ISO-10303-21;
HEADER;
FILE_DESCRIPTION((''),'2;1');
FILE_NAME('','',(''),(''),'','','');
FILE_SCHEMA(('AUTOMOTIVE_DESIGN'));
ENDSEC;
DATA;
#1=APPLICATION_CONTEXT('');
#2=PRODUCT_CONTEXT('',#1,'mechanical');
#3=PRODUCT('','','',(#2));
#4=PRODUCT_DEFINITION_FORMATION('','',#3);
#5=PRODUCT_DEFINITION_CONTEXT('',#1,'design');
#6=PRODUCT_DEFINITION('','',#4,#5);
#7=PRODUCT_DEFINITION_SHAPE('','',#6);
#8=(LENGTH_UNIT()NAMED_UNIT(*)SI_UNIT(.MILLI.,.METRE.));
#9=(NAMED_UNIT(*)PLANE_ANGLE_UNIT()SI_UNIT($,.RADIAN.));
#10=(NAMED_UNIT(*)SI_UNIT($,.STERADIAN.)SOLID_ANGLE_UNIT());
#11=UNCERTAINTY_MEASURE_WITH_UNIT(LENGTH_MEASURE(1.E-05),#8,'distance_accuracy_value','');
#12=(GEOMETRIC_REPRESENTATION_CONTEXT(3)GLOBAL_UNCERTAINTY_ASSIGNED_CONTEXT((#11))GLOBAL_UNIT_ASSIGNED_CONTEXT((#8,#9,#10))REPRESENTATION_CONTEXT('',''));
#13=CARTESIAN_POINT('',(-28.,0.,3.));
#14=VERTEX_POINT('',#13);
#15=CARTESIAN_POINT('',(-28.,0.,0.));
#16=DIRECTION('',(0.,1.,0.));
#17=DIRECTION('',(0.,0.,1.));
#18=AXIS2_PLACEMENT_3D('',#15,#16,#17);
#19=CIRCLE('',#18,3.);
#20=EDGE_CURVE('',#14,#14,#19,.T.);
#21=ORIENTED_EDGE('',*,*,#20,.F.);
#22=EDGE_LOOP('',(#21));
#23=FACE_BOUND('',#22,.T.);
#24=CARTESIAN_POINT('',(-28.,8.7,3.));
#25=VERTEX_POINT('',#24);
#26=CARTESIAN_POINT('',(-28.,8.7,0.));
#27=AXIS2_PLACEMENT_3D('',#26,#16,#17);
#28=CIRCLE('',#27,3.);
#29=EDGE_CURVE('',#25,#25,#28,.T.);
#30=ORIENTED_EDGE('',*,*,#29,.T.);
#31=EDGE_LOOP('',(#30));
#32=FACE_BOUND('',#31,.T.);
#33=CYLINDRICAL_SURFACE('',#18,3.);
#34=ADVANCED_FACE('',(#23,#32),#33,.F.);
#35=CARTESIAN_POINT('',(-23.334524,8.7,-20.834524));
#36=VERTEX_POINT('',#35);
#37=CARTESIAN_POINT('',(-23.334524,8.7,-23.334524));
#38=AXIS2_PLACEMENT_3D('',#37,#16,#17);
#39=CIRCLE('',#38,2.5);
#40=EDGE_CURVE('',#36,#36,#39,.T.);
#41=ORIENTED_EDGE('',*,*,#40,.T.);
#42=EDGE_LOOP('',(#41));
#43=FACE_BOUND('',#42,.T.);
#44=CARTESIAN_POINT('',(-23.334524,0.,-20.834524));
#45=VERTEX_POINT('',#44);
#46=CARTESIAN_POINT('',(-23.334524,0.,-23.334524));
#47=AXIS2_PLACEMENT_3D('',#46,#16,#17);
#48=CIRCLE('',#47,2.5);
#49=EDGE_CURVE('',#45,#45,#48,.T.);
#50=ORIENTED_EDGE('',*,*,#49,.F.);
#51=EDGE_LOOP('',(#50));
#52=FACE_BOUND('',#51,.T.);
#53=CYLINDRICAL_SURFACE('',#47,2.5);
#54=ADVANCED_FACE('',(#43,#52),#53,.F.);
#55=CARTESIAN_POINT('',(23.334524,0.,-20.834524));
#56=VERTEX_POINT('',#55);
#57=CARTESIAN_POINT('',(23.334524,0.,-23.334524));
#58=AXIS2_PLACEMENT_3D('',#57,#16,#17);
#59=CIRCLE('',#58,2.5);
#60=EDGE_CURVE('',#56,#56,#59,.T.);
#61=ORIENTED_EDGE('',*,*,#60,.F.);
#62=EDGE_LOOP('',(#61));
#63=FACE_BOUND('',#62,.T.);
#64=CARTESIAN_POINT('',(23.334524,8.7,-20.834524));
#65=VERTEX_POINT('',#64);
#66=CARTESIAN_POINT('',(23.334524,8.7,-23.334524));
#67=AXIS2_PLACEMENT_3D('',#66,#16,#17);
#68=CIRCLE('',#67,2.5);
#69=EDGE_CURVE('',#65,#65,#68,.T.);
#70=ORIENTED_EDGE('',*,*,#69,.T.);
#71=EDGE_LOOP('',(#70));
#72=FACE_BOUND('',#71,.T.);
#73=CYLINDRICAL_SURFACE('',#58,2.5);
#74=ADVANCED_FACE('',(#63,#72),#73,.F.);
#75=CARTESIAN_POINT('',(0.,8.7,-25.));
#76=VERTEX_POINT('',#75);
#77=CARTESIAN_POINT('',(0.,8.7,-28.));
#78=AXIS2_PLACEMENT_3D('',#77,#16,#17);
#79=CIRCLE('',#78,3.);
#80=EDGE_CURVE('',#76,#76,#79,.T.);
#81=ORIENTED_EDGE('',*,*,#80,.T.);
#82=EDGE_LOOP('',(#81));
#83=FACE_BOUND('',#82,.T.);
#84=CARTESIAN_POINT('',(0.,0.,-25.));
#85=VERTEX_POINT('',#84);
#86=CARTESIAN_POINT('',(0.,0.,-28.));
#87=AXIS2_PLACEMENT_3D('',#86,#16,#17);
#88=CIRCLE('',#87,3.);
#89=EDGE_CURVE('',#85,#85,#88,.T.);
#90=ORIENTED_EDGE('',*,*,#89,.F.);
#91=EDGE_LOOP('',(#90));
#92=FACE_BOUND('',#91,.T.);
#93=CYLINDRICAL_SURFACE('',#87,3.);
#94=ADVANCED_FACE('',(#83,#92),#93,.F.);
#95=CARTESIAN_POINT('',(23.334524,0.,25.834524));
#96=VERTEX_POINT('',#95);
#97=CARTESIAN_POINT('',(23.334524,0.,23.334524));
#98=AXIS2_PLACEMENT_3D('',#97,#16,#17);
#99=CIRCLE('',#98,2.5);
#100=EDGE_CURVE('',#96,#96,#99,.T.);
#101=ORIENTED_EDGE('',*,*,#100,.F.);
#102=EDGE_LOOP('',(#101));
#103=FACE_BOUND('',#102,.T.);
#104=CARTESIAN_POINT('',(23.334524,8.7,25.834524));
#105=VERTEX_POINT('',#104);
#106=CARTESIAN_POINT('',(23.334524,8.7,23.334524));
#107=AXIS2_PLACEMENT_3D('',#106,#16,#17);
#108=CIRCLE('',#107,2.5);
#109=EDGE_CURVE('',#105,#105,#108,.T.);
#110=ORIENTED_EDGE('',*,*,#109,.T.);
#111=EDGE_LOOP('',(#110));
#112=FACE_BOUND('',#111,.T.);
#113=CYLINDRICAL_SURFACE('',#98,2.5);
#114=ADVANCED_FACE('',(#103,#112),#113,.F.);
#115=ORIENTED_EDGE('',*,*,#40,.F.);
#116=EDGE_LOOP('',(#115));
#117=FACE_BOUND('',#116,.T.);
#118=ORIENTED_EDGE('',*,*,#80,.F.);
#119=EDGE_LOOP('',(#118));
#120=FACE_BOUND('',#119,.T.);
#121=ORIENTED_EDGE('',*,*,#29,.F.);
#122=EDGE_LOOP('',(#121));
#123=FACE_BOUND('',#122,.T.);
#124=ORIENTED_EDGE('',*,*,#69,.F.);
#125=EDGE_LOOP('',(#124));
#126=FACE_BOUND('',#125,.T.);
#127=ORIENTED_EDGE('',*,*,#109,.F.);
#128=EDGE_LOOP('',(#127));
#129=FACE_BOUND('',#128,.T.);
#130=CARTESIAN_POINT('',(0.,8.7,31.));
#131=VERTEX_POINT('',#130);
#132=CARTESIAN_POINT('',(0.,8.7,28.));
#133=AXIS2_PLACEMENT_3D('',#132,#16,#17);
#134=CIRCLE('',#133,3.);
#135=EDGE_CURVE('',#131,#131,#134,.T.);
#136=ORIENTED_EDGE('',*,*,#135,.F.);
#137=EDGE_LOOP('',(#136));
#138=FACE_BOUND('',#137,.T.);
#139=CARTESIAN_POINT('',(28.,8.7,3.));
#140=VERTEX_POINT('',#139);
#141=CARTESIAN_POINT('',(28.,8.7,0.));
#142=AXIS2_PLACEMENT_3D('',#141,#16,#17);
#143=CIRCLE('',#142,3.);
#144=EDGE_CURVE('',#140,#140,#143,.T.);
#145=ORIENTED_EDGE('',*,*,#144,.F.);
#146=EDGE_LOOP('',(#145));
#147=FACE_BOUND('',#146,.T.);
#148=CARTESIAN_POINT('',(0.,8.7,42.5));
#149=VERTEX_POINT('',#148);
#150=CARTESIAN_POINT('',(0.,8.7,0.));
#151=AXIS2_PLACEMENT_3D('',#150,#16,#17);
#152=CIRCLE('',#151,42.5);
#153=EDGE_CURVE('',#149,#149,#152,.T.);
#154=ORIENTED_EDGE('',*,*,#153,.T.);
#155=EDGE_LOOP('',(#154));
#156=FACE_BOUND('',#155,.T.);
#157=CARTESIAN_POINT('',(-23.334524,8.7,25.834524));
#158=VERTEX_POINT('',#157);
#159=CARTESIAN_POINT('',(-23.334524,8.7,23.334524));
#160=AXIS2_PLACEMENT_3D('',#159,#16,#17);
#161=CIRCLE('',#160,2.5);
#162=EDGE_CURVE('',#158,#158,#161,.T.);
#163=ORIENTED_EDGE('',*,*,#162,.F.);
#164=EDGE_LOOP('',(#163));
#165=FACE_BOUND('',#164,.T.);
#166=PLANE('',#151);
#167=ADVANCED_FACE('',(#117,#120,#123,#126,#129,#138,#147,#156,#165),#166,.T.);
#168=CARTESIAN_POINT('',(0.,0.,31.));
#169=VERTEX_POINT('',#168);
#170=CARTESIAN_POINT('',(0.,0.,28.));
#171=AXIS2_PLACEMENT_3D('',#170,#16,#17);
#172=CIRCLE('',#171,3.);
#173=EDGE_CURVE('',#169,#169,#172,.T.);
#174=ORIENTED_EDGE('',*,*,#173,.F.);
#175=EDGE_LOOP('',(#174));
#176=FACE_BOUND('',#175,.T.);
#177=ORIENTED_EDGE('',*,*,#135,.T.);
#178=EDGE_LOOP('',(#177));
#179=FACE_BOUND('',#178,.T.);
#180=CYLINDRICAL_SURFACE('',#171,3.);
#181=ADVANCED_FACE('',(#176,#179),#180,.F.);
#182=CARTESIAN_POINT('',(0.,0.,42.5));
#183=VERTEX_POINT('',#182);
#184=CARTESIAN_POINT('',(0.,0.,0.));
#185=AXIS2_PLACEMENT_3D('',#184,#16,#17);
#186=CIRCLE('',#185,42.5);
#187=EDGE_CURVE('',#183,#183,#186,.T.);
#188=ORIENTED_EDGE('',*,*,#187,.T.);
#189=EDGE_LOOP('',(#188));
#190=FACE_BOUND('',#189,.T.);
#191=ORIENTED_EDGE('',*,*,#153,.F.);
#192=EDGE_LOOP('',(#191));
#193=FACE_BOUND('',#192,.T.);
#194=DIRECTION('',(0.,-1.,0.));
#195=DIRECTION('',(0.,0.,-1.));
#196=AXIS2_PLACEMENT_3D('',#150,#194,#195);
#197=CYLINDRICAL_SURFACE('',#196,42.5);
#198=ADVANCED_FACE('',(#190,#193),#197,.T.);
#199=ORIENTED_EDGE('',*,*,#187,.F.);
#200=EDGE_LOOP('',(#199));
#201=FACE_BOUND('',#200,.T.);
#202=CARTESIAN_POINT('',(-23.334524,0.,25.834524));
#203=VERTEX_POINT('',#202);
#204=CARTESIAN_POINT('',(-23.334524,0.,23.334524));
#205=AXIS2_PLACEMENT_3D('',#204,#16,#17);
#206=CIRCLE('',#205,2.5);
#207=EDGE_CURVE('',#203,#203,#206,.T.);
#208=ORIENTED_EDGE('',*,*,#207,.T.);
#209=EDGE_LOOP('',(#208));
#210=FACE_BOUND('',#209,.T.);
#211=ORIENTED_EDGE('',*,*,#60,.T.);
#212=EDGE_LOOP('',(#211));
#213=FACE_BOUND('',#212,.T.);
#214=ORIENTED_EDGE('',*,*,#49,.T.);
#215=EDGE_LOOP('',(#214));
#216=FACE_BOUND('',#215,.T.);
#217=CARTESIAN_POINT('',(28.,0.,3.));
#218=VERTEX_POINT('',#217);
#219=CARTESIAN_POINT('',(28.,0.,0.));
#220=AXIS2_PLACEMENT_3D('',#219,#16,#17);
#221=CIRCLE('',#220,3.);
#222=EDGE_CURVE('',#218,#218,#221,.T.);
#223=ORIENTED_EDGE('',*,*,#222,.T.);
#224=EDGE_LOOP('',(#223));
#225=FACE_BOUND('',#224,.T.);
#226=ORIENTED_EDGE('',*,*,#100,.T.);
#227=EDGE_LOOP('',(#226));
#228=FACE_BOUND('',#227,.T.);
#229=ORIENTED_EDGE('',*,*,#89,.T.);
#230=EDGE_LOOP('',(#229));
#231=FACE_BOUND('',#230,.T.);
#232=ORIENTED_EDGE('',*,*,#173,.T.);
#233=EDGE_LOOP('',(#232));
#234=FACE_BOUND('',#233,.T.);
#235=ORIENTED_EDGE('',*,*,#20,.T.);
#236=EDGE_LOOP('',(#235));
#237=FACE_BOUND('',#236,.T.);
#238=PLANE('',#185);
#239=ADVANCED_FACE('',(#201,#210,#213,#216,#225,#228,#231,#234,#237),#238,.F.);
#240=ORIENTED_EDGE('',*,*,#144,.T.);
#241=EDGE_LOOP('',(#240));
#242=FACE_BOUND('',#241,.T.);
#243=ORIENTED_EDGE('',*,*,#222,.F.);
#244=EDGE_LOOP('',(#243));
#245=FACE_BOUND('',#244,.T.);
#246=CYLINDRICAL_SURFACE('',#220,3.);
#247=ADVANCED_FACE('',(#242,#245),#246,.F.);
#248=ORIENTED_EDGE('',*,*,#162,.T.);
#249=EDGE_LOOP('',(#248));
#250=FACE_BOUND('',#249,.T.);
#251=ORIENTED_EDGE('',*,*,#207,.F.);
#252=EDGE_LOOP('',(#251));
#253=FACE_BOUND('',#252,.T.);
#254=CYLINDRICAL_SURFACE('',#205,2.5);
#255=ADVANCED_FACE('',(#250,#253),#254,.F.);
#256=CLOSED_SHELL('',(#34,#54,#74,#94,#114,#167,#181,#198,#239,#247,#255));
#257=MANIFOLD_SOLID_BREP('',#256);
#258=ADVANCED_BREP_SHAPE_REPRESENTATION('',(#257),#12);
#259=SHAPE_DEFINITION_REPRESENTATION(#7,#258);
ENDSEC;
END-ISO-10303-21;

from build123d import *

# Parameters (mm, degrees)
SKETCH_1_R          = 42.5
EXTRUDE_1_DEPTH     = 8.7
SKETCH_2_R          = 3
SKETCH_2_R_2        = 2.5
CUT_EXTRUDE_2_DEPTH = 8.7


with BuildPart() as part:
    # Эскиз1 → Вытянуть1 (new body)
    with BuildSketch(Plane(origin=(0, 0, 0), x_dir=(1, 0, 0), z_dir=(0, 1, 0))):
        with Locations(Location((0, 0, 0), (0, 0, 270))):
            Circle(SKETCH_1_R)
    extrude(amount=EXTRUDE_1_DEPTH)

    # Эскиз2 → Вытянуть2 (cut)
    with BuildSketch(Plane(origin=(0, 8.7, 0), x_dir=(1, 0, 0), z_dir=(0, 1, 0))):
        with Locations(Location((0, 28, 0), (0, 0, 270))):
            Circle(SKETCH_2_R)
        with Locations(Location((28, 0, 0), (0, 0, 270))):
            Circle(SKETCH_2_R)
        with Locations(Location((0, -28, 0), (0, 0, 270))):
            Circle(SKETCH_2_R)
        with Locations(Location((-28, 0, 0), (0, 0, 270))):
            Circle(SKETCH_2_R)
        with Locations(Location((-23.334523779, 23.334523779, 0), (0, 0, 270))):
            Circle(SKETCH_2_R_2)
        with Locations(Location((23.334523779, 23.334523779, 0), (0, 0, 270))):
            Circle(SKETCH_2_R_2)
        with Locations(Location((23.334523779, -23.334523779, 0), (0, 0, 270))):
            Circle(SKETCH_2_R_2)
        with Locations(Location((-23.334523779, -23.334523779, 0), (0, 0, 270))):
            Circle(SKETCH_2_R_2)
    extrude(amount=-CUT_EXTRUDE_2_DEPTH, mode=Mode.SUBTRACT)


solid = part.part
